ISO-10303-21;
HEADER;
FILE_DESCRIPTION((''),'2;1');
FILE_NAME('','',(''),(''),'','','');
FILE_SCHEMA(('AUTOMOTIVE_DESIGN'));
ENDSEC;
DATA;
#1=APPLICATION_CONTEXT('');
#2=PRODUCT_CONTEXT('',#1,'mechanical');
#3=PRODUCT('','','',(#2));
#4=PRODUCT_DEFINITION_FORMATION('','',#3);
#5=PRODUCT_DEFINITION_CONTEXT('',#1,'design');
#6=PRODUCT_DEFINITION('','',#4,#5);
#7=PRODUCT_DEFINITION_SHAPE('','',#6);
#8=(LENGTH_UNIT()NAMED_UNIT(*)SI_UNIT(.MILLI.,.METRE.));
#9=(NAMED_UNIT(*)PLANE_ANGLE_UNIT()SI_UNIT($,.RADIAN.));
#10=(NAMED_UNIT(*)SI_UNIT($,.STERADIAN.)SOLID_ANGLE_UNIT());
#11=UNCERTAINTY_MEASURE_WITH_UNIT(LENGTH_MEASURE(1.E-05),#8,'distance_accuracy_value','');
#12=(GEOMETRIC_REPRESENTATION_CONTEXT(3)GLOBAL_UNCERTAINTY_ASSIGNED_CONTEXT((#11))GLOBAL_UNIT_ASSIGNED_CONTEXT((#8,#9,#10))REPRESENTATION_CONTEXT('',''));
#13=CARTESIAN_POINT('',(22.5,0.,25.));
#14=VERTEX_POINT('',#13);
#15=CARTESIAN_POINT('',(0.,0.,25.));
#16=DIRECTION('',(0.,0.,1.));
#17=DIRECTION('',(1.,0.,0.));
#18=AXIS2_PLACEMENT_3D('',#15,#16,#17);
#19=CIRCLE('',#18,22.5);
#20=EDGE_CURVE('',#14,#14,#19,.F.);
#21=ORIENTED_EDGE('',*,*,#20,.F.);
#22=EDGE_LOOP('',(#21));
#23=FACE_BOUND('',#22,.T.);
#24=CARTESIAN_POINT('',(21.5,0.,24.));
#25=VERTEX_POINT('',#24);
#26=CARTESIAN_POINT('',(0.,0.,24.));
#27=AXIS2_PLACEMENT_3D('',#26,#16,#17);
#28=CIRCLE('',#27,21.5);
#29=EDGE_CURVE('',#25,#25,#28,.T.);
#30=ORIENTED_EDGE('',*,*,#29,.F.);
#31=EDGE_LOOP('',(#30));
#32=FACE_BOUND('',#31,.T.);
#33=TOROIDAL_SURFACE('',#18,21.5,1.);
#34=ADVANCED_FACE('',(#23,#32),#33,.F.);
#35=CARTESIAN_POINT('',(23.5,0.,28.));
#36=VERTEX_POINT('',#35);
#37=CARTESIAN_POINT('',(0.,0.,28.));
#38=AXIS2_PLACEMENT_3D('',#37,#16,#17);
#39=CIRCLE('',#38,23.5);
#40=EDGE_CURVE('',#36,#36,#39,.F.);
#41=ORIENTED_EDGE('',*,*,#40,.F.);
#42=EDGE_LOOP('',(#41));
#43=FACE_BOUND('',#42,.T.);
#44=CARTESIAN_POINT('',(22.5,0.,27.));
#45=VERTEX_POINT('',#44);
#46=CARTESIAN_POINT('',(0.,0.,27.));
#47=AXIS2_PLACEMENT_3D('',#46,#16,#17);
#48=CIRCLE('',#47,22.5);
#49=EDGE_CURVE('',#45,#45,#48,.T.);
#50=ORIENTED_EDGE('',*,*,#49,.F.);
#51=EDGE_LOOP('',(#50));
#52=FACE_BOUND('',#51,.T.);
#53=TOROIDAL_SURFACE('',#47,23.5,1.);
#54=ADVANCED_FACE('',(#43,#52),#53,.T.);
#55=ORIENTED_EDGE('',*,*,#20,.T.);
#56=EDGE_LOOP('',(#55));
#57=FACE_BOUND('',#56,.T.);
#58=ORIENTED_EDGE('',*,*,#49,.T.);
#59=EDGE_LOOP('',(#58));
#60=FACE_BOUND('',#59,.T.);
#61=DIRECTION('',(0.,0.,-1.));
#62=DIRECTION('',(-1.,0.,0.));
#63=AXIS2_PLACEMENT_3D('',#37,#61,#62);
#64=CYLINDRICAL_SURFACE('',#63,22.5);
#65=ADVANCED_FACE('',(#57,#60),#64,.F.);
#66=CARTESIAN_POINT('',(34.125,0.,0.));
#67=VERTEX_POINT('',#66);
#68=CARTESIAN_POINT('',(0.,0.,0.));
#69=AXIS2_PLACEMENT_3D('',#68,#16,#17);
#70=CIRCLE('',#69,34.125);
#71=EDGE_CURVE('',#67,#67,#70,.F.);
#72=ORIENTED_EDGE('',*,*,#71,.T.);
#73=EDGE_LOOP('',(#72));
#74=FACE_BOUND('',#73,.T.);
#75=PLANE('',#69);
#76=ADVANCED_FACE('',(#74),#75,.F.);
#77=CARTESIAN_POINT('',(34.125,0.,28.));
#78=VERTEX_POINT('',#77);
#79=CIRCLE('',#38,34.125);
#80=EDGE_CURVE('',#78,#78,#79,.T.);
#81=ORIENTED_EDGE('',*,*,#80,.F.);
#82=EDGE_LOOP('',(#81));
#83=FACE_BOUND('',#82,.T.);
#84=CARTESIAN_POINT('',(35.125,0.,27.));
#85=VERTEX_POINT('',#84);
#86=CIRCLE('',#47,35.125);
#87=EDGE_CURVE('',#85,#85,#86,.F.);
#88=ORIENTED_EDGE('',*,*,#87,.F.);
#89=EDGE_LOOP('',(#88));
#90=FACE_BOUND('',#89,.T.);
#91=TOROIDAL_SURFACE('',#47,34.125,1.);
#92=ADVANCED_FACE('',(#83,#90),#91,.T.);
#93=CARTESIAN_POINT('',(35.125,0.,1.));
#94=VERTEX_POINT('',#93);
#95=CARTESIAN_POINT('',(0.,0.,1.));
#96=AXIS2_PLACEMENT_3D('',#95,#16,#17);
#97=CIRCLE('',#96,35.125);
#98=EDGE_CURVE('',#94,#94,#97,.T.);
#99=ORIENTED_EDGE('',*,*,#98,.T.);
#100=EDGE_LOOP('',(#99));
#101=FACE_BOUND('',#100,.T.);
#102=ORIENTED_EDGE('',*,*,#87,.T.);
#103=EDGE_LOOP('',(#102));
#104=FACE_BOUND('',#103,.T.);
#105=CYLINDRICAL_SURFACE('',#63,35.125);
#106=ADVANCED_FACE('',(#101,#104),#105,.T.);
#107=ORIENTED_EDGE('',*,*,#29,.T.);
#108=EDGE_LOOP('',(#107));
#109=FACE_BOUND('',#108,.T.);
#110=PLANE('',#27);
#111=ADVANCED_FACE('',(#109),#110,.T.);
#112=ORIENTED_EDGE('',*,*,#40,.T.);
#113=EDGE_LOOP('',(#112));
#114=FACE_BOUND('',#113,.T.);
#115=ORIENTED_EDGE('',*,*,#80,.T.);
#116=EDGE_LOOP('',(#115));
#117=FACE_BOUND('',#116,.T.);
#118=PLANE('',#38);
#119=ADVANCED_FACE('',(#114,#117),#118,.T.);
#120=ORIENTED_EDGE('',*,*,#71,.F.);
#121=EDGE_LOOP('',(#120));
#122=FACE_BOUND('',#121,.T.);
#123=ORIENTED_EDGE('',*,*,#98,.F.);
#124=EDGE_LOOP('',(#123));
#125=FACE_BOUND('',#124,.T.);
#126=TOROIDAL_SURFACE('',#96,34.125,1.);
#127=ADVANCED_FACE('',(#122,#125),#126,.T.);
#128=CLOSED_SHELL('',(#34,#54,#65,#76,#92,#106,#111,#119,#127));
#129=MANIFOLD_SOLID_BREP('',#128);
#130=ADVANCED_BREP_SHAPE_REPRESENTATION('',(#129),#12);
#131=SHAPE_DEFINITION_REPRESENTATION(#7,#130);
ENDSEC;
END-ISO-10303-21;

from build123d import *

# Parameters (mm, degrees)
ESQUISSE1_R        = 22.5
BOSS_EXTRU_1_DEPTH = 24
ESQUISSE1_4_R      = 35.125
ESQUISSE1_4_R_2    = 22.5
BOSS_EXTRU_2_DEPTH = 28
CONG_1_R           = 1


with BuildPart() as part:
    # Esquisse1 → Boss.-Extru.1 (new body)
    with BuildSketch(Plane.XY):
        Circle(ESQUISSE1_R)
    extrude(amount=BOSS_EXTRU_1_DEPTH)

    # Esquisse1<4> → Boss.-Extru.2 (add)
    with BuildSketch(Plane.XY):
        Circle(ESQUISSE1_4_R)
        Circle(ESQUISSE1_4_R_2, mode=Mode.SUBTRACT)
    extrude(amount=BOSS_EXTRU_2_DEPTH)

    # Congé1
    cong_1_edges = [part.edges().sort_by_distance(p)[0] for p in [
        (-35.125, 0, 28),
        (-35.125, 0, 0),
        (-22.5, 0, 24),
        (-22.5, 0, 28),
    ]]
    fillet(cong_1_edges, radius=CONG_1_R)


solid = part.part
